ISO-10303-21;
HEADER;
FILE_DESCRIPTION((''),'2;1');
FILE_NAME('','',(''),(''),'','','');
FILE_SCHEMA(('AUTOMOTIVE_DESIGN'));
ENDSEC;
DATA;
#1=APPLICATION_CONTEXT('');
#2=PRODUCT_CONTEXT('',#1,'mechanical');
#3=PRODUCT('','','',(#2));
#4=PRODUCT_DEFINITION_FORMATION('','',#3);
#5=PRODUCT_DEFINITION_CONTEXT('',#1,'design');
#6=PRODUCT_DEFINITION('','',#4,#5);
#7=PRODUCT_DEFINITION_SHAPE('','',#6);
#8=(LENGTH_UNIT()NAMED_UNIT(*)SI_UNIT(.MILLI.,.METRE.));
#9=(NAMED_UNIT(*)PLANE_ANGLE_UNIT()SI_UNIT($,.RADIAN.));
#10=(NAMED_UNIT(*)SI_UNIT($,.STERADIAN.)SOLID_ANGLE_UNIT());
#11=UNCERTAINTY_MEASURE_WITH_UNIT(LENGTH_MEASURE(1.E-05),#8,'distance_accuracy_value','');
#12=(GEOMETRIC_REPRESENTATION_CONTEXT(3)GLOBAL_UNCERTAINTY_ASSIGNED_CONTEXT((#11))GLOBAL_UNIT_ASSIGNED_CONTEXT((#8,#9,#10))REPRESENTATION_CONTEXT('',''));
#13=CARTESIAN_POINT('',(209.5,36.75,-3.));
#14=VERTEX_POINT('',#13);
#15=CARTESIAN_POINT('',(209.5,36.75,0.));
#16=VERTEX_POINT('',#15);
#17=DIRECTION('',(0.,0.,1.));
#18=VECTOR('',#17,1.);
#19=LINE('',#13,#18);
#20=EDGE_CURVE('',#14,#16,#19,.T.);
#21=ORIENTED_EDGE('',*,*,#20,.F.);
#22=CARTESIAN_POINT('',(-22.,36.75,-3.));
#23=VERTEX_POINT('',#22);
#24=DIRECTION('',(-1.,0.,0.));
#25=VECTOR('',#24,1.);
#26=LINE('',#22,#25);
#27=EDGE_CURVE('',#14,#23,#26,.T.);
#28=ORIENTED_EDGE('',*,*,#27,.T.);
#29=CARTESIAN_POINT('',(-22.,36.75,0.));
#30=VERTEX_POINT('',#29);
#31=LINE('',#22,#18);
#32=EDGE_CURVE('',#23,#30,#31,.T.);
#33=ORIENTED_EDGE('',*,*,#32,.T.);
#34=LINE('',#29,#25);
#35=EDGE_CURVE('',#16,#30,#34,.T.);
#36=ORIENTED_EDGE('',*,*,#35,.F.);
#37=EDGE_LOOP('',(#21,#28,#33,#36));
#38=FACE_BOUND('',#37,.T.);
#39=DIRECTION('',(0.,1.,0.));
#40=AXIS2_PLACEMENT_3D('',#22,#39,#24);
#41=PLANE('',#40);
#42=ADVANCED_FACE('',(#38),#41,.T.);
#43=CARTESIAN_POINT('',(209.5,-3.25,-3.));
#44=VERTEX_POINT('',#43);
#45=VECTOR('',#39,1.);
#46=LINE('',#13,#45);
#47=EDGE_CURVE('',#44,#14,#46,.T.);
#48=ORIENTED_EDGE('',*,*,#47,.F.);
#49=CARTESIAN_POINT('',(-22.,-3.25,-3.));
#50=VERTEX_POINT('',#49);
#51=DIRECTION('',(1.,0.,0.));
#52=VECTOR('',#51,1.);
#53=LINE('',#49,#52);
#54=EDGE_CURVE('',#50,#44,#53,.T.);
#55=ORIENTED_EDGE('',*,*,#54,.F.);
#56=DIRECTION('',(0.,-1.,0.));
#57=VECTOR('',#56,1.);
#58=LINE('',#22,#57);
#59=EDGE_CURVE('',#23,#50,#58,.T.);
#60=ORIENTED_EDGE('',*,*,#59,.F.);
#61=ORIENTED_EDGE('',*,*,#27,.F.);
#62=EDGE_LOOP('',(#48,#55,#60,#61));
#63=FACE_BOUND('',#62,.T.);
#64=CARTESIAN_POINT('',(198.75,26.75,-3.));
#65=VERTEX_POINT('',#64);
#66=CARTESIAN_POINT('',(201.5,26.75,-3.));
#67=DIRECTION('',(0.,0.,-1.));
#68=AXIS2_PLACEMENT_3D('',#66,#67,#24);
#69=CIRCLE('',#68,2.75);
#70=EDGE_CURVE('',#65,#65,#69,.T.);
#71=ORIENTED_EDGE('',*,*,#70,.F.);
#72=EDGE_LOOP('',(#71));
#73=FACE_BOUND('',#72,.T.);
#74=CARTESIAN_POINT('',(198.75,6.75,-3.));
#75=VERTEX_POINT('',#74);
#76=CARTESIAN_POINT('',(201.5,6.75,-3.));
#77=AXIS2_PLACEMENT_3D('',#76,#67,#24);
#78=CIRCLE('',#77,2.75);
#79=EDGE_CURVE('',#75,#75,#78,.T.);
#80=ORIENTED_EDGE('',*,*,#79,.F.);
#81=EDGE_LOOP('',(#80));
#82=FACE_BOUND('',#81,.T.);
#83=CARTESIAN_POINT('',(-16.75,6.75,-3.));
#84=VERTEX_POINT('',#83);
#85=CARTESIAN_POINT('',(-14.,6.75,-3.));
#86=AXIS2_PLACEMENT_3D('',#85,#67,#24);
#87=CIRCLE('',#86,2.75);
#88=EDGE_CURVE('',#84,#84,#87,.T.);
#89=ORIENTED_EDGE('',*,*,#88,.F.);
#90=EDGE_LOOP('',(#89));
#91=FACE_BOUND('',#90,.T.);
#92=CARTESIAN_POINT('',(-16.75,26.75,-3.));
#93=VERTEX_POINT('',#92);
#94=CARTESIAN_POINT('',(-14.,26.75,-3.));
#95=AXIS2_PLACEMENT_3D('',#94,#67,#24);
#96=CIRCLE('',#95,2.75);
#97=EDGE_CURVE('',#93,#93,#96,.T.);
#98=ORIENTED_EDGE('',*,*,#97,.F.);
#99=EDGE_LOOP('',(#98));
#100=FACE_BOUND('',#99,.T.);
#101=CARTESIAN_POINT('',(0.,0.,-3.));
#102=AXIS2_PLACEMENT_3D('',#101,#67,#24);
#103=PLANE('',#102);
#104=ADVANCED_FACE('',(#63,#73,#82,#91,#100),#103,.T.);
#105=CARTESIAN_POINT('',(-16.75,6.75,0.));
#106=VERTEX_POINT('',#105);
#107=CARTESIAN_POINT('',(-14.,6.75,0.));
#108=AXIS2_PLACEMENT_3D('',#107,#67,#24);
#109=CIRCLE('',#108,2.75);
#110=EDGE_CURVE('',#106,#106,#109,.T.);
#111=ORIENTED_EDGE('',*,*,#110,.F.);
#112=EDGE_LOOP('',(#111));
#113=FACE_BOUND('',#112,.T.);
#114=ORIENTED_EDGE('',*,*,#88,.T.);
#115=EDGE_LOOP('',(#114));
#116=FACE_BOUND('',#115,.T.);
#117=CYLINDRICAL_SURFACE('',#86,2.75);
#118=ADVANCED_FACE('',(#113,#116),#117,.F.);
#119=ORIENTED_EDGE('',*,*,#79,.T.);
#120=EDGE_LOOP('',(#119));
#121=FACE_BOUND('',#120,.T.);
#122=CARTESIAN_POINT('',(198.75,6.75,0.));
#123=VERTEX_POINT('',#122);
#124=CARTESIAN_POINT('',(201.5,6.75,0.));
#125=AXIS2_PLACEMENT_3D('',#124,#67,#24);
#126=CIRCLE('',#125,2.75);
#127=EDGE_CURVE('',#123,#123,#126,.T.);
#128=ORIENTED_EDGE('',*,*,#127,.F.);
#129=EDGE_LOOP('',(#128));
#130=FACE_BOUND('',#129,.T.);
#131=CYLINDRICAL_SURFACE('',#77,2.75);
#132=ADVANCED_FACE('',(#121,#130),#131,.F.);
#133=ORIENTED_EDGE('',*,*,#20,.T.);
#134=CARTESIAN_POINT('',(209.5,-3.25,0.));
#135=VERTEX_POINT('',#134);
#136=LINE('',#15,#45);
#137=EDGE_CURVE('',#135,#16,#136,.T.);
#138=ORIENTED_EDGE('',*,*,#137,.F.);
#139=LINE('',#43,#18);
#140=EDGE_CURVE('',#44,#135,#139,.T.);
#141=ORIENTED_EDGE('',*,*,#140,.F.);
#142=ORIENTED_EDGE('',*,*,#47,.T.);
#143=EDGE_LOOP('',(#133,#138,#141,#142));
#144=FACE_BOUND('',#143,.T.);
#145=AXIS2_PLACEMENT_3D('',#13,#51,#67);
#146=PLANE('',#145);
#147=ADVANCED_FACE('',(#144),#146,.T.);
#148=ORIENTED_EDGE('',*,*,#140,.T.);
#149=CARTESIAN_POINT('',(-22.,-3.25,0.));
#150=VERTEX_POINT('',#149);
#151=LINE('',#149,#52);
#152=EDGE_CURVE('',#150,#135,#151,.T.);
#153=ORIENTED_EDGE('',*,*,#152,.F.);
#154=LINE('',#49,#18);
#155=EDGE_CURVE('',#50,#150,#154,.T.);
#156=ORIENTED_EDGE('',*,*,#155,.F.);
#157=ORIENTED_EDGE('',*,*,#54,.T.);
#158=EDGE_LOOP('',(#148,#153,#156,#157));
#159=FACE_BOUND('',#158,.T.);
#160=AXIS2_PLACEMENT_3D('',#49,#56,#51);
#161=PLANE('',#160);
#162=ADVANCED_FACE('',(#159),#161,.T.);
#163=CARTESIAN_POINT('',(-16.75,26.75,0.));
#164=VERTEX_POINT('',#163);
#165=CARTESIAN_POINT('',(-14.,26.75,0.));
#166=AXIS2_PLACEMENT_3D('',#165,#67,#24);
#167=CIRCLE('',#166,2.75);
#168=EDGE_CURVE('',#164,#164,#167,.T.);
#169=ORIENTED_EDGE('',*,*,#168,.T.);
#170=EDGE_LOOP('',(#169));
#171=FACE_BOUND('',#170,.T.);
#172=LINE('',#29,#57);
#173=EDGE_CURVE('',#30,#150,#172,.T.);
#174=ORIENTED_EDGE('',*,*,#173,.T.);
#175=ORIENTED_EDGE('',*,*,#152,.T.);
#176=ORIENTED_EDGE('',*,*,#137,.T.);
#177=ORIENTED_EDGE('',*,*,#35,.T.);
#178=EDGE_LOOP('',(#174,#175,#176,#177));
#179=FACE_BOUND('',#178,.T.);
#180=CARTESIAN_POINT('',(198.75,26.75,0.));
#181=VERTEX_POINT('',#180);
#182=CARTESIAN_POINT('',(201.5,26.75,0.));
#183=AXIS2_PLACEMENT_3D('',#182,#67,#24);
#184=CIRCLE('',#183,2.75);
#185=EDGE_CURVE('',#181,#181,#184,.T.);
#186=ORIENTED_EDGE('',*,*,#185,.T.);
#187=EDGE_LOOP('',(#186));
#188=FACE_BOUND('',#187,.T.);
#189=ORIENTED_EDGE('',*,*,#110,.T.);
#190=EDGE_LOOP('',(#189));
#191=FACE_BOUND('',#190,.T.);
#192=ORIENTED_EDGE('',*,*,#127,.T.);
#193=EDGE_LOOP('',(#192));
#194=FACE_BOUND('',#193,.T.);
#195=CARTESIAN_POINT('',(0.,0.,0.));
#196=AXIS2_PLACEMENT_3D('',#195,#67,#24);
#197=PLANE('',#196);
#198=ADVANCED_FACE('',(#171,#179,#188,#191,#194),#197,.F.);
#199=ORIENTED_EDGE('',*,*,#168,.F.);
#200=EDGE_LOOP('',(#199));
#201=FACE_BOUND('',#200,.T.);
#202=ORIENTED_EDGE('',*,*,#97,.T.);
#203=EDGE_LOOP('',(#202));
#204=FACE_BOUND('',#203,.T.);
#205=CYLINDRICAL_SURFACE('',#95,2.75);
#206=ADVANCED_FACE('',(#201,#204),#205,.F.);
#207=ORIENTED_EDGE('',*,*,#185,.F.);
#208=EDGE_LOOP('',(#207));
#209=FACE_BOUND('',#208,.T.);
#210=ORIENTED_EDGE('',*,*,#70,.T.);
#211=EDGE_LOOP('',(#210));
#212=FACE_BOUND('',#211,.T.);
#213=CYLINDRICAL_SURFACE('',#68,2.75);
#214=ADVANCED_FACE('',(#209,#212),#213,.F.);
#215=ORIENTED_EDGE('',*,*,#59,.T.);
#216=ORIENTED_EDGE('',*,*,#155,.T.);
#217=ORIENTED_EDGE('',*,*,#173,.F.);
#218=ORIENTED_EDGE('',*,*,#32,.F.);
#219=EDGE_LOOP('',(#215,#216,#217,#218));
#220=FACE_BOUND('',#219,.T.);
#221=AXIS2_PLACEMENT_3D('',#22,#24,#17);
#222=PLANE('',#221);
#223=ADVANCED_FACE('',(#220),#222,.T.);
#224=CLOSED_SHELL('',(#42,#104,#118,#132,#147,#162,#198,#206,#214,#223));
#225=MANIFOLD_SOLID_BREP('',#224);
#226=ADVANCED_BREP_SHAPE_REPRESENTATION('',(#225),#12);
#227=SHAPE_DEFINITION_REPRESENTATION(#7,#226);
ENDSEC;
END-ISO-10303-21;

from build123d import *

# Parameters (mm, degrees)
EXTRUSION_BASE_SKETCH_W      = 231.5
EXTRUSION_BASE_SKETCH_H      = 40
EXTRUSION_BASE_EXTRUDE_DEPTH = 3
M5_MOUNTING_HOLES_D          = 5.5


with BuildPart() as part:
    # Extrusion Base Sketch → Extrusion Base Extrude (new body)
    with BuildSketch(Plane.XY):
        with Locations((93.75, 16.75)):
            Rectangle(EXTRUSION_BASE_SKETCH_W, EXTRUSION_BASE_SKETCH_H)
    extrude(amount=-EXTRUSION_BASE_EXTRUDE_DEPTH)

    # M5 Mounting Holes (through all)
    with Locations(Plane(origin=(0, 0, -3), x_dir=(-1, 0, 0), z_dir=(0, 0, -1))):
        with Locations((-201.5, 26.75), (-201.5, 6.75), (14, 26.75), (14, 6.75)):
            Hole(M5_MOUNTING_HOLES_D / 2)


solid = part.part
